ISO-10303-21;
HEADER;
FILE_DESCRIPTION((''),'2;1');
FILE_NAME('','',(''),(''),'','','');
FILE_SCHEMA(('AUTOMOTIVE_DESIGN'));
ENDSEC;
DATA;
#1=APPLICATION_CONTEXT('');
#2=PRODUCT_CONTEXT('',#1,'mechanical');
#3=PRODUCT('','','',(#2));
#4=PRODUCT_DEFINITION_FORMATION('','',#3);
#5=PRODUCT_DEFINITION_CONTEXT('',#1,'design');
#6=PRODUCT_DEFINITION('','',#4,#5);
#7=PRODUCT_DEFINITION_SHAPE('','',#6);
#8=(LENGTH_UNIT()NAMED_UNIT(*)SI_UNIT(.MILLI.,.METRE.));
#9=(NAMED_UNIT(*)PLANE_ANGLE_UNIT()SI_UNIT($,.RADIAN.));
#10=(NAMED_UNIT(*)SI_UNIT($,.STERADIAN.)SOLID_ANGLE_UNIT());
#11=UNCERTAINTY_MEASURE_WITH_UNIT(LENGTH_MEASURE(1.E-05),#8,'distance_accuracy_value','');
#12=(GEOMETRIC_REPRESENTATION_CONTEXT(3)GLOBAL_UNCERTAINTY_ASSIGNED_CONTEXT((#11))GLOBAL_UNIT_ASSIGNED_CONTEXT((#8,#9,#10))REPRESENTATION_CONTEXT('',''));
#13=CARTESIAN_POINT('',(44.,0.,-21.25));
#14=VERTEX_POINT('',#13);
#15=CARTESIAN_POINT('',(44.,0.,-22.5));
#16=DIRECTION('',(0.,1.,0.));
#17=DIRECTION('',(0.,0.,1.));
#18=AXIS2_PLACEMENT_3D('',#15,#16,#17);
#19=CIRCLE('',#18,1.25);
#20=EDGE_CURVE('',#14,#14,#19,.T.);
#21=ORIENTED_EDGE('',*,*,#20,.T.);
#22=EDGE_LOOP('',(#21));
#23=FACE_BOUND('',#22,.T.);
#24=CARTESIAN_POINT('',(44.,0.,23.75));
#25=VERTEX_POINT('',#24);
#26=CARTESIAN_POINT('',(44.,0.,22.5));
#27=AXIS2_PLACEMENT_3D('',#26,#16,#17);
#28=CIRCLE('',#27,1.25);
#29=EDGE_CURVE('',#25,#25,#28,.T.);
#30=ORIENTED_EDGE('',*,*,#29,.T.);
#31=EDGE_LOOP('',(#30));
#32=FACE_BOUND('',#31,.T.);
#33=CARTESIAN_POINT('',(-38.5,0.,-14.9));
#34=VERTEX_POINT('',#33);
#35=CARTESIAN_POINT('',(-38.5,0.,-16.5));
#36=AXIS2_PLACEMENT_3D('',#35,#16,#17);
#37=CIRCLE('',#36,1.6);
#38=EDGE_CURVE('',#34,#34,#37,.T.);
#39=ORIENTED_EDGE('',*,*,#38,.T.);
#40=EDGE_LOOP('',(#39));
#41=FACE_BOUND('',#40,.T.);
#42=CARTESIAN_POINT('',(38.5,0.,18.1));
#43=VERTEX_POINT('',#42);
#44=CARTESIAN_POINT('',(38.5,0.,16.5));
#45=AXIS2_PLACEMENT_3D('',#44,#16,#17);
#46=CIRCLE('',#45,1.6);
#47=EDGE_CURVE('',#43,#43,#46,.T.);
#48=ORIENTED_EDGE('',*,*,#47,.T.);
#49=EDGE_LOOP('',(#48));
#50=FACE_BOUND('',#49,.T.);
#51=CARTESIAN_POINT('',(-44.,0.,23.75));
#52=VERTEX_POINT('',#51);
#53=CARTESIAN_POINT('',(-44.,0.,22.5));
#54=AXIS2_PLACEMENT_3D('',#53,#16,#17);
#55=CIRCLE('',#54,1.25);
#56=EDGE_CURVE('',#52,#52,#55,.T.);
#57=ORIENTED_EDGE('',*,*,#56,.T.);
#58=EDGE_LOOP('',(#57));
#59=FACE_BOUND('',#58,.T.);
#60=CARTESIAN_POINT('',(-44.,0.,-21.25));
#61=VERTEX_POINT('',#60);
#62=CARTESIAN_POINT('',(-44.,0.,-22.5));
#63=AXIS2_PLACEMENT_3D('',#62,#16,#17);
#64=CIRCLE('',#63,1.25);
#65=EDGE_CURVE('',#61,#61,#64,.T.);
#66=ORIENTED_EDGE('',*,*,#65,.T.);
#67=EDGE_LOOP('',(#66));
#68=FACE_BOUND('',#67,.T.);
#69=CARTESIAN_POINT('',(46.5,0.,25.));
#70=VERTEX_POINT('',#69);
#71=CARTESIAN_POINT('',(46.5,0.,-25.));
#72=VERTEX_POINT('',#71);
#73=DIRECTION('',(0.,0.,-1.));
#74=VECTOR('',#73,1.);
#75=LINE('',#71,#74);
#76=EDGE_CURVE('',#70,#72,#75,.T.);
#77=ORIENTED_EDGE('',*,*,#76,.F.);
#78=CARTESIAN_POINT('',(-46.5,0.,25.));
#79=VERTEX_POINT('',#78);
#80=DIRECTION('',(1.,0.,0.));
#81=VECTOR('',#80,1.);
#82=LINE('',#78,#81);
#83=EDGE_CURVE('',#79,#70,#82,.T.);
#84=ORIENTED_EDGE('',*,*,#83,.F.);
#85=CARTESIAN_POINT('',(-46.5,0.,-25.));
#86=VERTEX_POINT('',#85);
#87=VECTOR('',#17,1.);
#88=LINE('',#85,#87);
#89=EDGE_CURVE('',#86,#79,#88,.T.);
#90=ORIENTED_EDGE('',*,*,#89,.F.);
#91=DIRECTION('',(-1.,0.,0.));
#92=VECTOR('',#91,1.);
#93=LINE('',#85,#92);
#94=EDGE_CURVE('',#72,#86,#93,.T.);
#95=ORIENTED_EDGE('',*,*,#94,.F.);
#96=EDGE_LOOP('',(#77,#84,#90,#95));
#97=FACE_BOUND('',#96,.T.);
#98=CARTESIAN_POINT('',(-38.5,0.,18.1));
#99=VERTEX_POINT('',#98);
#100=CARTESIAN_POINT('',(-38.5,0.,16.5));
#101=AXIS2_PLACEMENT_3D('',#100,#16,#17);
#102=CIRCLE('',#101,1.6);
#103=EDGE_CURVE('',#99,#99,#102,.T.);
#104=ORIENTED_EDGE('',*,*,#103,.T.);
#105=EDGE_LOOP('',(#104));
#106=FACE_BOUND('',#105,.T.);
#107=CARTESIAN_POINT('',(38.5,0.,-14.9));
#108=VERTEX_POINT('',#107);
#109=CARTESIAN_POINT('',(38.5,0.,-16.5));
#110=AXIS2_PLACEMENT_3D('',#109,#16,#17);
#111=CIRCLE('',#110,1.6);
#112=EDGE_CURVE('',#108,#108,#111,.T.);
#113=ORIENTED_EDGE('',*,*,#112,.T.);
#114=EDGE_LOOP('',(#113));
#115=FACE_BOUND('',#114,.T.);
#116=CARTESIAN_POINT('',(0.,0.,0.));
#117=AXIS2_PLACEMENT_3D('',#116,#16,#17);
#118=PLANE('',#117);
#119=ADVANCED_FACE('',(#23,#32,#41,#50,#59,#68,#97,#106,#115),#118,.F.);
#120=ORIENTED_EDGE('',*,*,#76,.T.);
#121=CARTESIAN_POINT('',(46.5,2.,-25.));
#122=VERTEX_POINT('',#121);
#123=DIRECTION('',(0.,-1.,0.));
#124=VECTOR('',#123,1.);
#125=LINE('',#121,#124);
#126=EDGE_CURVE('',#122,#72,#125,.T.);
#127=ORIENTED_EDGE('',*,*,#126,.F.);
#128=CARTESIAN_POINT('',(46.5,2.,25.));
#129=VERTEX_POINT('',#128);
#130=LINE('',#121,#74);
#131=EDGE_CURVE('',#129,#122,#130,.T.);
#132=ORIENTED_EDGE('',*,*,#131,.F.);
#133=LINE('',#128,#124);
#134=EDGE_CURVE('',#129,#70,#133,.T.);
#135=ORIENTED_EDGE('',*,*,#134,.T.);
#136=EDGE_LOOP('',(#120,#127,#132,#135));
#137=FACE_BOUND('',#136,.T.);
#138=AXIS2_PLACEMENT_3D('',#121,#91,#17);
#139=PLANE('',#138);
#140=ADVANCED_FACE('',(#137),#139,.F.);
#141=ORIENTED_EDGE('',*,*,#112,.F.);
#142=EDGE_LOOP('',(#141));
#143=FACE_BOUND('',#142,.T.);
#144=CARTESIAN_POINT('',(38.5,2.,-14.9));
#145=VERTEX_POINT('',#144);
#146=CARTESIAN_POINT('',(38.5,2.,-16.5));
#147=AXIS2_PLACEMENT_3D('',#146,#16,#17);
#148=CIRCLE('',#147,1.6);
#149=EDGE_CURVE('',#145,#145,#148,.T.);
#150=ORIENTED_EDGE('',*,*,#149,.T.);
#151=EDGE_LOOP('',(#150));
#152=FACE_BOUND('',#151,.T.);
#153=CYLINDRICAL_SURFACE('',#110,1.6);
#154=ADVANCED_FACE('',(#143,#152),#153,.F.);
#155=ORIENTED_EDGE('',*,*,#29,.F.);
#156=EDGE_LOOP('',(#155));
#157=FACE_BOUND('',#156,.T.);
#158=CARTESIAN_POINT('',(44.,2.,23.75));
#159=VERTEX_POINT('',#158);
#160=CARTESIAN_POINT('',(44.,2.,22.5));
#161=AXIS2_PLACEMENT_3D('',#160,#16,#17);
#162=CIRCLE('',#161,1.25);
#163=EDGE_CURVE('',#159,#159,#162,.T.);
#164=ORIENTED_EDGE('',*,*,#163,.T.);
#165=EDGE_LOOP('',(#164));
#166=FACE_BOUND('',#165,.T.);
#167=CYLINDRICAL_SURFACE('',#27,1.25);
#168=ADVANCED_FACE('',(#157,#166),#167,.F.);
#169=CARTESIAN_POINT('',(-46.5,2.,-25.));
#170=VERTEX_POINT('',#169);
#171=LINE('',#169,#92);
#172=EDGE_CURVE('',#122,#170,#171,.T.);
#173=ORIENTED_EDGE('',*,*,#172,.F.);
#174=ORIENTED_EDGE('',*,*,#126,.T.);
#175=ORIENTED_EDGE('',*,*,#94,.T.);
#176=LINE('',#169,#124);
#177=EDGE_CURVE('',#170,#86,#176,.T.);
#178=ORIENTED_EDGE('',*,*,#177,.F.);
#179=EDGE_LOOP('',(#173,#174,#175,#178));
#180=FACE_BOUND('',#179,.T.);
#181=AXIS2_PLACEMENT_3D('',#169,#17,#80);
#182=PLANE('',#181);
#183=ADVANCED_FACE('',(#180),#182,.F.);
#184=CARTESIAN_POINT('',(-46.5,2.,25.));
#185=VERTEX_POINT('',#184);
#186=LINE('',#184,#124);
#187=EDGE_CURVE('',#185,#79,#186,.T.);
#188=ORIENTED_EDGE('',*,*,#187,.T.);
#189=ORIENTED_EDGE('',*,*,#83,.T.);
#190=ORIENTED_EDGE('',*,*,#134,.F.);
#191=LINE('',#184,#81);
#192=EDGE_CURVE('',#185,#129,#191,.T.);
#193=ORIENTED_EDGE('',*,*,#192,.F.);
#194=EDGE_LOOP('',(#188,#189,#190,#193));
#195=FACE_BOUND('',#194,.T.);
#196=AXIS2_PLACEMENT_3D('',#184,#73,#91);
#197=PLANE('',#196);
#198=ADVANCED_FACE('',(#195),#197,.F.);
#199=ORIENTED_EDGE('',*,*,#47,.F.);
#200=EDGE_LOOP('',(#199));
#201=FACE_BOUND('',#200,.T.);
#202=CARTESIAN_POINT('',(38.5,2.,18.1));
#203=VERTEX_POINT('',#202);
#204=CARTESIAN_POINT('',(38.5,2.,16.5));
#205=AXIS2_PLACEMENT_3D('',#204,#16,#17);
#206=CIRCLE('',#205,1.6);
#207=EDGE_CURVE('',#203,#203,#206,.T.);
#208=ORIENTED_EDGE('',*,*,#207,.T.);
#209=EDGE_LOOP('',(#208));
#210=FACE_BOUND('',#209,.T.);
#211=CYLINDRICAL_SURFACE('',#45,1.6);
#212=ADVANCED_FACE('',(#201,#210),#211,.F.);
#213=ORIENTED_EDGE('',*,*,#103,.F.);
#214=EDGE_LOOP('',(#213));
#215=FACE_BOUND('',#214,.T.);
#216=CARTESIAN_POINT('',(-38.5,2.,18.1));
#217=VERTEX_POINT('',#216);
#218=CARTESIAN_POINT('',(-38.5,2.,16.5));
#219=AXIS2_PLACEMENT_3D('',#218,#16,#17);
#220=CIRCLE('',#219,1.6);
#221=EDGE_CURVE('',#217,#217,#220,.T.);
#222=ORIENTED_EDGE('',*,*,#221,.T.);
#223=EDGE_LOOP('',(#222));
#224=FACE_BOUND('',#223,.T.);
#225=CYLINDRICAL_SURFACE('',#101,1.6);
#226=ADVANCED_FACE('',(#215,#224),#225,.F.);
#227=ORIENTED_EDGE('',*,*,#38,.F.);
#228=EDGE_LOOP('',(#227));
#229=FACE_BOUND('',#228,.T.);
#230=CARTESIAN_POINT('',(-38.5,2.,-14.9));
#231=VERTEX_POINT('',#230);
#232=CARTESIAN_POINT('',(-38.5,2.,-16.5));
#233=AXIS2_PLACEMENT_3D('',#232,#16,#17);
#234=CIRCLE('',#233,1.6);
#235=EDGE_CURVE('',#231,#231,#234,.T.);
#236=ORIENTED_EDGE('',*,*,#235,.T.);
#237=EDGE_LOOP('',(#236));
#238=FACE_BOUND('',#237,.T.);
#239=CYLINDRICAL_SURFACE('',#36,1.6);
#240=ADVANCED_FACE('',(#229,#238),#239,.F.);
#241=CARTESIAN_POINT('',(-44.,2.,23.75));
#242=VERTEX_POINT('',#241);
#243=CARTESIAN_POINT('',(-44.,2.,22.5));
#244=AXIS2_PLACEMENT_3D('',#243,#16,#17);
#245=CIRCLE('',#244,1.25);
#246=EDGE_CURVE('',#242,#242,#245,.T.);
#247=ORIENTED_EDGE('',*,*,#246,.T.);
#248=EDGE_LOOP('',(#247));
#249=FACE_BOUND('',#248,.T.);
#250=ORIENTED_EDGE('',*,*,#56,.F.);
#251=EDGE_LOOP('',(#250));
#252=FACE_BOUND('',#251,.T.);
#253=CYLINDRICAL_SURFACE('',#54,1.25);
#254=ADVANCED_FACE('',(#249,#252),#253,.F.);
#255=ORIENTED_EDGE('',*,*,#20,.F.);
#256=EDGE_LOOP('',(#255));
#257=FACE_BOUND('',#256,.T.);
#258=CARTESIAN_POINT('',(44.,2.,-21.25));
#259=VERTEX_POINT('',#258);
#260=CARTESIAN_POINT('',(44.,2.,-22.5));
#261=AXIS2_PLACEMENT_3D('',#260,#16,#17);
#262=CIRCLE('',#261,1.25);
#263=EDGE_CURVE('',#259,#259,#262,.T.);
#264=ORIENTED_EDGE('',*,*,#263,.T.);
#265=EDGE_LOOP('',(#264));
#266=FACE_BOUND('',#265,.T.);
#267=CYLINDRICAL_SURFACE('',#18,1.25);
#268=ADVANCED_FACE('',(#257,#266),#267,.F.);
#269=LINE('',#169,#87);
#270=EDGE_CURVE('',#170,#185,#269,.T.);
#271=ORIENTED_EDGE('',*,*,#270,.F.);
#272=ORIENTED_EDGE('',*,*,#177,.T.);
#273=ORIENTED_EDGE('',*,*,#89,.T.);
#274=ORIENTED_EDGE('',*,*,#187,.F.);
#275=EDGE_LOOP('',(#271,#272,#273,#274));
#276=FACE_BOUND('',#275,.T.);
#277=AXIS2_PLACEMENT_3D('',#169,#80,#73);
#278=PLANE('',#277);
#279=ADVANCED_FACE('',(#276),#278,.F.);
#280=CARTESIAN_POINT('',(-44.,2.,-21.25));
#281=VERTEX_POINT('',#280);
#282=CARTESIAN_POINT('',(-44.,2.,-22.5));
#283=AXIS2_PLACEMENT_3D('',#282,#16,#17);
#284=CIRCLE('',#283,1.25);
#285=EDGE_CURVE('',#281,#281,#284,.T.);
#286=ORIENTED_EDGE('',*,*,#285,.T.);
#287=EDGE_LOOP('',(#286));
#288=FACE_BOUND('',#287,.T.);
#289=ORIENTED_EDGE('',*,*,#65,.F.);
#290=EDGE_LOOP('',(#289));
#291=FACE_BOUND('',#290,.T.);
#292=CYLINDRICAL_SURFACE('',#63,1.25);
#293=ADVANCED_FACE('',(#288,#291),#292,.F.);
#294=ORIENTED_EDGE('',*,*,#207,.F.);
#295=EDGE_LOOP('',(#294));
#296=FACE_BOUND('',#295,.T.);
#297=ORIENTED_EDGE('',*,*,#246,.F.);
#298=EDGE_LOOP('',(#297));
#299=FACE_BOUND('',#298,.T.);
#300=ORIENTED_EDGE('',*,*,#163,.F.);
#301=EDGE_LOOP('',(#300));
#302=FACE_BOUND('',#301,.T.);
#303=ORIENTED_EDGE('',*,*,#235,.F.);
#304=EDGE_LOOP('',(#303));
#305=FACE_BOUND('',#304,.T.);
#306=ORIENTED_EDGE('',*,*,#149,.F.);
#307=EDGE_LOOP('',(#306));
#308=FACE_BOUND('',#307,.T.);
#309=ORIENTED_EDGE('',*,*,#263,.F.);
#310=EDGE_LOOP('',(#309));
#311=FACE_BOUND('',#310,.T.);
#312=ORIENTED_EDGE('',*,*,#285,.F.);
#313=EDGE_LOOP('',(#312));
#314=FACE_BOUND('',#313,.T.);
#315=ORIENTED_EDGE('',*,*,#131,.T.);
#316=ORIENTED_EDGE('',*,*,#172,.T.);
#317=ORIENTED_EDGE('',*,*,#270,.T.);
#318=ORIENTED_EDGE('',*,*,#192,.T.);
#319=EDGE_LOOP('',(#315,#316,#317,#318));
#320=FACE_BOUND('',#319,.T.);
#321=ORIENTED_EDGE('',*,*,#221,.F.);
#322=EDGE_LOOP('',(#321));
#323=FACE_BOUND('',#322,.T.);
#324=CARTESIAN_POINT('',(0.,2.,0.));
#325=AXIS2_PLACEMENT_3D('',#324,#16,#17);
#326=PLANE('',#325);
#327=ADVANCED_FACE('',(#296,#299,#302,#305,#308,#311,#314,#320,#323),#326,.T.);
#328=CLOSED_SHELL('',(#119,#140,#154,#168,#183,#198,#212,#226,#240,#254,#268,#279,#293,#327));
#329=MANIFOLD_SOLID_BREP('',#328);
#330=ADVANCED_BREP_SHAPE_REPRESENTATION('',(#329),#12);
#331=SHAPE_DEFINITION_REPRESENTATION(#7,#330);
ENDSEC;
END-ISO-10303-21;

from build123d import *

# Parameters (mm, degrees)
SKETCH1_W           = 93
SKETCH1_H           = 50
BOSS_EXTRUDE1_DEPTH = 2
SKETCH2_R           = 1.25
CUT_EXTRUDE1_DEPTH  = 2
SKETCH3_R           = 1.6
CUT_EXTRUDE2_DEPTH  = 2


with BuildPart() as part:
    # Sketch1 → Boss-Extrude1 (new body)
    with BuildSketch(Plane(origin=(0, 0, 0), x_dir=(1, 0, 0), z_dir=(0, 1, 0))):
        Rectangle(SKETCH1_W, SKETCH1_H)
    extrude(amount=BOSS_EXTRUDE1_DEPTH)

    # Sketch2 → Cut-Extrude1 (cut)
    with BuildSketch(Plane(origin=(0, 2, 0), x_dir=(1, 0, 0), z_dir=(0, 1, 0))):
        with Locations((-44, 22.5)):
            Circle(SKETCH2_R)
        with Locations((44, 22.5)):
            Circle(SKETCH2_R)
        with Locations((44, -22.5)):
            Circle(SKETCH2_R)
        with Locations((-44, -22.5)):
            Circle(SKETCH2_R)
    extrude(amount=-CUT_EXTRUDE1_DEPTH, mode=Mode.SUBTRACT)

    # Sketch3 → Cut-Extrude2 (cut)
    with BuildSketch(Plane(origin=(0, 2, 0), x_dir=(1, 0, 0), z_dir=(0, 1, 0))):
        with Locations((-38.5, 16.5)):
            Circle(SKETCH3_R)
        with Locations((-38.5, -16.5)):
            Circle(SKETCH3_R)
        with Locations((38.5, 16.5)):
            Circle(SKETCH3_R)
        with Locations((38.5, -16.5)):
            Circle(SKETCH3_R)
    extrude(amount=-CUT_EXTRUDE2_DEPTH, mode=Mode.SUBTRACT)


solid = part.part
